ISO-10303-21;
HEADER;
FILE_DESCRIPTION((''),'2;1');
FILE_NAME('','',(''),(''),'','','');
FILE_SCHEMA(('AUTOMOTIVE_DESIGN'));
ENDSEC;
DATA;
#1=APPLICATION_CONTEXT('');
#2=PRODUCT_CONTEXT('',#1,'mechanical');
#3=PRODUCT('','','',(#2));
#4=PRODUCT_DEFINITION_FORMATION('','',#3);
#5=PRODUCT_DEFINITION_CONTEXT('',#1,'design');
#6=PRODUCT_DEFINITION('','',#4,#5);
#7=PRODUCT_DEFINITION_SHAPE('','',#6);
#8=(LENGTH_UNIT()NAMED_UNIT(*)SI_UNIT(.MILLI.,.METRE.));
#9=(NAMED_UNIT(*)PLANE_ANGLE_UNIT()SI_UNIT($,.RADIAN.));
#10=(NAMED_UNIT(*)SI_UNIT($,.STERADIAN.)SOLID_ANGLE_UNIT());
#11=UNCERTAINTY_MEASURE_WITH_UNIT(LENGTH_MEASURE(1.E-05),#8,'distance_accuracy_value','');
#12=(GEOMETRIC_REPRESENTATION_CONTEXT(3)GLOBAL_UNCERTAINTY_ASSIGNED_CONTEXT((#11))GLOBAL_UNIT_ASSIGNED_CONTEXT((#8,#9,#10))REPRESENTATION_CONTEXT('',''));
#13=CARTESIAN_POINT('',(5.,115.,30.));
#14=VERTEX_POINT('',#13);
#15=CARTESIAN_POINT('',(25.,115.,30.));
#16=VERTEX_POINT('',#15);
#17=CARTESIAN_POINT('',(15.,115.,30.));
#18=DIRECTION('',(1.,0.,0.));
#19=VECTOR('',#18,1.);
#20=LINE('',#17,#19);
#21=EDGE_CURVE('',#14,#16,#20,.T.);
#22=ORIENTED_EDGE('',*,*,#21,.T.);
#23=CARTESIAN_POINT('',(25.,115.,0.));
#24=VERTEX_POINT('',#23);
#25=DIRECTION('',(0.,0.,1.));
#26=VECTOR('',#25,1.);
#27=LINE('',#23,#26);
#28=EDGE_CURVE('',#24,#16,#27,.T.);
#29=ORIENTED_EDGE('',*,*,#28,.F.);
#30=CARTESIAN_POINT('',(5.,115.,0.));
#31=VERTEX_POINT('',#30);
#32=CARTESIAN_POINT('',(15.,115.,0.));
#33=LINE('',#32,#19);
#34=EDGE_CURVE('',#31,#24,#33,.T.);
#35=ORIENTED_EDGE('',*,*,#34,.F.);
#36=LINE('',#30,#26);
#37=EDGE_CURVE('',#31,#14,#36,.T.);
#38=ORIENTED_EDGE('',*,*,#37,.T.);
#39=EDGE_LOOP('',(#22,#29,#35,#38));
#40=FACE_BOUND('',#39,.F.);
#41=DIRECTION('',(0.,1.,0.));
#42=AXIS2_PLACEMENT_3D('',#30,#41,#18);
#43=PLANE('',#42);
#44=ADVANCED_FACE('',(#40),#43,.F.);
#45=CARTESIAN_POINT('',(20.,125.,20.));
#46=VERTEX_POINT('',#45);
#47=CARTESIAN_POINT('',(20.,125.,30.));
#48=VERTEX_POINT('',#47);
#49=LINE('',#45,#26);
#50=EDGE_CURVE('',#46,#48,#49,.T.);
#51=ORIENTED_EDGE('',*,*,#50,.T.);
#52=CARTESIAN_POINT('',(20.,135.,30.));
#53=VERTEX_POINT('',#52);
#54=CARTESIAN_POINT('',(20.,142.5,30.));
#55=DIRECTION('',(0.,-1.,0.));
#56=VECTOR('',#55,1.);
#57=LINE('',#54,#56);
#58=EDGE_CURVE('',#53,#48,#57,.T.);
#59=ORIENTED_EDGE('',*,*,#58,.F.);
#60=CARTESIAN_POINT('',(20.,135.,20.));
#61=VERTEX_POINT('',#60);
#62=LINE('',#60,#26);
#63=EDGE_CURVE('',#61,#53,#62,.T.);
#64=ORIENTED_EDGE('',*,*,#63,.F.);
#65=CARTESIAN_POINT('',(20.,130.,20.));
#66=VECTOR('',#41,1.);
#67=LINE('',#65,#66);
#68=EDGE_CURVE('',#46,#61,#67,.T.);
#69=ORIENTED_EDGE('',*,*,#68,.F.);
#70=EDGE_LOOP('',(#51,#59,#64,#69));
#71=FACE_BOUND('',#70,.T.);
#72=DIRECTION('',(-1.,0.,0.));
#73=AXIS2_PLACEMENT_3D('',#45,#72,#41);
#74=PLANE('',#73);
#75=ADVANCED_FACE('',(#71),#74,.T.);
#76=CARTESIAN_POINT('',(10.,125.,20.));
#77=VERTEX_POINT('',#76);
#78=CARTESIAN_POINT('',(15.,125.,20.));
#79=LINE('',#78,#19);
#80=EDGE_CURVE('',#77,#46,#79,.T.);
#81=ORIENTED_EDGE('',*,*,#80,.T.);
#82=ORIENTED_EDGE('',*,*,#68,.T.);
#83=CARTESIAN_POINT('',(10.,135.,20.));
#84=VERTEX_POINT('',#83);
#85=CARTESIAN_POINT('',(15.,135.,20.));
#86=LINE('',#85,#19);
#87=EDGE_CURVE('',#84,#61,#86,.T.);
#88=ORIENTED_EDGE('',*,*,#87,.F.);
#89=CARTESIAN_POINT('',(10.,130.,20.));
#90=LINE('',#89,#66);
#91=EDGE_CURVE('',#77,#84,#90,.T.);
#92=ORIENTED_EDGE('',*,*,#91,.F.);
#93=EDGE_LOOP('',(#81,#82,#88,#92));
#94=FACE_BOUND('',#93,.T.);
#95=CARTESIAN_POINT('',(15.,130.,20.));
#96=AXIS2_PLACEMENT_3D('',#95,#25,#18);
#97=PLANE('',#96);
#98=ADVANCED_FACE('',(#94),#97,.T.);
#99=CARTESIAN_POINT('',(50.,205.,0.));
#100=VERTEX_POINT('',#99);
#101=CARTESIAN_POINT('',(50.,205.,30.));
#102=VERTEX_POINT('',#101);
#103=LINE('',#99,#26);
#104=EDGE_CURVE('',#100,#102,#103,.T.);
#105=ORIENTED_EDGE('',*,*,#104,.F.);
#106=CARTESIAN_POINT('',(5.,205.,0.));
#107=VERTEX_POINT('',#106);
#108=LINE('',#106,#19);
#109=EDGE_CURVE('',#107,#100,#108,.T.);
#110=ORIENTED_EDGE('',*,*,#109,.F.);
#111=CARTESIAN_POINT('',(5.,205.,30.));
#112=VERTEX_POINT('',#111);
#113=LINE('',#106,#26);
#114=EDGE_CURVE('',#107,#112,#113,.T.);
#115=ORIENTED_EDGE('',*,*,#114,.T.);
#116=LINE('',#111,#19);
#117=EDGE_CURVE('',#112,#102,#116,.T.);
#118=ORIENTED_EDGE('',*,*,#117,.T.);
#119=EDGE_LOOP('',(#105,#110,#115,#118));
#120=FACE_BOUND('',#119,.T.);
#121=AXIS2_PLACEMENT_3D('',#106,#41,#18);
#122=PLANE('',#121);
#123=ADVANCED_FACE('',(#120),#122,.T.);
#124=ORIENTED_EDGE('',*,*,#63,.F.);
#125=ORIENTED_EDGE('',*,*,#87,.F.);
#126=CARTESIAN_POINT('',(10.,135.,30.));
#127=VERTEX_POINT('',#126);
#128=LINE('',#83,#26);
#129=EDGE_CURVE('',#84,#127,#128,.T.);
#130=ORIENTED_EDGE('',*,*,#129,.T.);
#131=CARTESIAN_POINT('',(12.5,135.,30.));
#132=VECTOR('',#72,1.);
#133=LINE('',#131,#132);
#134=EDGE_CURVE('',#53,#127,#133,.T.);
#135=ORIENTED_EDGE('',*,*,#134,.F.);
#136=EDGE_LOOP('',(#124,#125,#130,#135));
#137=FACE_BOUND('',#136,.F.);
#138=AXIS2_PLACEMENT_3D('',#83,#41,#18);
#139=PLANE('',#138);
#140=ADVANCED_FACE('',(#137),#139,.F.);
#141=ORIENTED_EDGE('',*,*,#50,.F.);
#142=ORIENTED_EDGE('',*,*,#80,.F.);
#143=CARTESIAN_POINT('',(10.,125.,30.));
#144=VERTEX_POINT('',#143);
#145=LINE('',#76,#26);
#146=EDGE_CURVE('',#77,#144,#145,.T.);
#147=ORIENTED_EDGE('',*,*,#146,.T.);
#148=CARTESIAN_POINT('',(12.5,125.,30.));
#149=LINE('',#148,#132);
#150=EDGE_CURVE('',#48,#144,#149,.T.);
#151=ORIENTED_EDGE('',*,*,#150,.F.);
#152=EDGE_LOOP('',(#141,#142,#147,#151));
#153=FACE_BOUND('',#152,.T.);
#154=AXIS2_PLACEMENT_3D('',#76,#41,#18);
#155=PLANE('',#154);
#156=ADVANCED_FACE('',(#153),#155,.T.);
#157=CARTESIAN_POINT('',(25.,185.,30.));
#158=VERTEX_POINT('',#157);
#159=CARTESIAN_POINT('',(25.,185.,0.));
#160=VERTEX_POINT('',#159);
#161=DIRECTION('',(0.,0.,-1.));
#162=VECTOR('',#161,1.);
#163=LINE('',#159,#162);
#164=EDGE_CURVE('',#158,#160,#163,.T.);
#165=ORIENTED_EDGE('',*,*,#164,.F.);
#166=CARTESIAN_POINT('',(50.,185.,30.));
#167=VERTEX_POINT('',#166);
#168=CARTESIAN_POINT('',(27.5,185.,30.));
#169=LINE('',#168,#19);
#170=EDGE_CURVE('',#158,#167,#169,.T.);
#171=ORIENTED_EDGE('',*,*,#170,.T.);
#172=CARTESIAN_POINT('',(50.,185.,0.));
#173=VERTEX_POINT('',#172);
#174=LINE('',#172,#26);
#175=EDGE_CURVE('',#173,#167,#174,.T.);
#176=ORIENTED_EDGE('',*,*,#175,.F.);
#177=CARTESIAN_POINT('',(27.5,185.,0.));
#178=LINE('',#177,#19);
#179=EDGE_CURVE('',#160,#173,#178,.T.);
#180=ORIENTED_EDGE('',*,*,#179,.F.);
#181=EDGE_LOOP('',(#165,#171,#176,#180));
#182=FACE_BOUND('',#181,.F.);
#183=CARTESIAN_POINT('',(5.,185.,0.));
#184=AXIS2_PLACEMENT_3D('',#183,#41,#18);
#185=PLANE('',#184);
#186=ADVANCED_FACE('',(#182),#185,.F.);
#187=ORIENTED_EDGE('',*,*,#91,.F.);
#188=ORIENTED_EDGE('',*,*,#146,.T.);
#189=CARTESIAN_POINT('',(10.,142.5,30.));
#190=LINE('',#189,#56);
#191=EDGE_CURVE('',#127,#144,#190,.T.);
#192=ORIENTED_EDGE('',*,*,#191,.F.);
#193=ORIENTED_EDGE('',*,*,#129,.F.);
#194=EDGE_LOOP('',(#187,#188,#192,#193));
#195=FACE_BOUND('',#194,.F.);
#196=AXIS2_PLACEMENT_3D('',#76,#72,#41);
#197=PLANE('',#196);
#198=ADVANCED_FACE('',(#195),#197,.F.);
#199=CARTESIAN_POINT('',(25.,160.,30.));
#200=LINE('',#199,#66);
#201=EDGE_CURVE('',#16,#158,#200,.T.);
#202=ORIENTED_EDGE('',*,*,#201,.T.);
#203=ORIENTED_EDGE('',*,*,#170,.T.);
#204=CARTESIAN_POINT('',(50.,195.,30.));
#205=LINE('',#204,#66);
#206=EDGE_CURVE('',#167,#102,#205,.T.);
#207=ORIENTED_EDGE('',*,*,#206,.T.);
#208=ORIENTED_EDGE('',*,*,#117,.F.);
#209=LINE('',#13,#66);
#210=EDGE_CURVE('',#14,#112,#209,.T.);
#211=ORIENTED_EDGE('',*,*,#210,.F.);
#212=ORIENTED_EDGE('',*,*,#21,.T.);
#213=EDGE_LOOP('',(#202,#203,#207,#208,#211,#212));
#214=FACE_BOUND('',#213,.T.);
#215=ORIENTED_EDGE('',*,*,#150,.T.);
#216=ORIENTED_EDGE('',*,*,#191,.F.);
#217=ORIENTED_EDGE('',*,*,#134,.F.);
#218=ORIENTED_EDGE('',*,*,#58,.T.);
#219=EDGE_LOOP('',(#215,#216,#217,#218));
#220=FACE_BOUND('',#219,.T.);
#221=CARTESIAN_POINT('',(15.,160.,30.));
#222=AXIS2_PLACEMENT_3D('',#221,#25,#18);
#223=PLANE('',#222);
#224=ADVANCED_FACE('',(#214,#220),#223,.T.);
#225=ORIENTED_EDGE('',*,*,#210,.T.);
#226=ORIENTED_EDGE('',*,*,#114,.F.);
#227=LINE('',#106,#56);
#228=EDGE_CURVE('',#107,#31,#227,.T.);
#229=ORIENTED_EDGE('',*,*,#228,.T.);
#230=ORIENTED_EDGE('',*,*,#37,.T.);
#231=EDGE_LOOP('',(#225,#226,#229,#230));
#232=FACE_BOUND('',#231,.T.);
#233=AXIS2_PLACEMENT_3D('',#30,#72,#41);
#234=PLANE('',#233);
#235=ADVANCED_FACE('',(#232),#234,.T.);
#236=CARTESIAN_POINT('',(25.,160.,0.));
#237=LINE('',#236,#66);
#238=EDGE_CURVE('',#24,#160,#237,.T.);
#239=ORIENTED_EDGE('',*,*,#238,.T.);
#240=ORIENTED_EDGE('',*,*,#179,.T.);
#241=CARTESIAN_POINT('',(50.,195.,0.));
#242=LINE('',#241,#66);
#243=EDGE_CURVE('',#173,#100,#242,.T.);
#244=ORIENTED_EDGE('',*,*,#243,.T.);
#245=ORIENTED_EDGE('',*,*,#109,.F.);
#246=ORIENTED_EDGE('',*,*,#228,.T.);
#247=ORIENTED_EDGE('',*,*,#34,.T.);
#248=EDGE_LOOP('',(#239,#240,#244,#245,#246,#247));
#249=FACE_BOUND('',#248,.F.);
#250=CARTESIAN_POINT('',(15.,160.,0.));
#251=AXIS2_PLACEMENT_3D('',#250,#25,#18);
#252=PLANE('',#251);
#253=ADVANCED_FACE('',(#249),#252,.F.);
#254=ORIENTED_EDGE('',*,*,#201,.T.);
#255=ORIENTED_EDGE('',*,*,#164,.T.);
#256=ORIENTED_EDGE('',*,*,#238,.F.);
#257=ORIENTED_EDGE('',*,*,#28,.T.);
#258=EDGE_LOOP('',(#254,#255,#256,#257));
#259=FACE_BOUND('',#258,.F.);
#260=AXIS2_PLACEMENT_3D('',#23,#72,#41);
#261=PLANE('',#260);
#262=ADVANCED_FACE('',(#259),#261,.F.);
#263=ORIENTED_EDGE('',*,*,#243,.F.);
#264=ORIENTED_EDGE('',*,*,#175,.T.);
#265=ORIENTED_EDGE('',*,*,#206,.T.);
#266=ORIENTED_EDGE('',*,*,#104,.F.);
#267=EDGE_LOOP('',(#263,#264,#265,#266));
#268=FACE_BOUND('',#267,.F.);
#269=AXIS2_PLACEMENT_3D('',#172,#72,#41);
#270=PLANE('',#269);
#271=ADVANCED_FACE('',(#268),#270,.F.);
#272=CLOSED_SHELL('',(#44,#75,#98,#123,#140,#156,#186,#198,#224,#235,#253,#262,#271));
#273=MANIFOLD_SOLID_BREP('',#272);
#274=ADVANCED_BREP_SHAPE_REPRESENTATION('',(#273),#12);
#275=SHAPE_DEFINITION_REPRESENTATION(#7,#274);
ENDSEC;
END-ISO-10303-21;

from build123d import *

# Parameters (mm, degrees)
BOX021003010009_W     = 10
BOX021003010009_H     = 10
BOX021003010009_DEPTH = 12
BOX021003010006_W     = 45
BOX021003010006_H     = 20
BOX021003010006_DEPTH = 30
BOX021003010005_W     = 20
BOX021003010005_H     = 90
BOX021003010005_DEPTH = 30


with BuildPart() as hueco_fregadero:
    # Box021003010009 → Box021003010009 (new body)
    with BuildSketch(Plane(origin=(10, 125, 20), x_dir=(1, 0, 0), z_dir=(0, 0, 1))):
        with Locations((5, 5)):
            Rectangle(BOX021003010009_W, BOX021003010009_H)
    extrude(amount=BOX021003010009_DEPTH)


with BuildPart() as mueble_bajo_corto_cocina:
    # Box021003010006 → Box021003010006 (new body)
    with BuildSketch(Plane(origin=(5, 185, 0), x_dir=(1, 0, 0), z_dir=(0, 0, 1))):
        with Locations((22.5, 10)):
            Rectangle(BOX021003010006_W, BOX021003010006_H)
    extrude(amount=BOX021003010006_DEPTH)


with BuildPart() as mueble_bajo_cocina:
    # Box021003010005 → Box021003010005 (new body)
    with BuildSketch(Plane(origin=(5, 115, 0), x_dir=(1, 0, 0), z_dir=(0, 0, 1))):
        with Locations((10, 45)):
            Rectangle(BOX021003010005_W, BOX021003010005_H)
    extrude(amount=BOX021003010005_DEPTH)

    # Fusion007: union Mueble bajo corto Cocina
    add(mueble_bajo_corto_cocina.part)

    # Cut011: cut Hueco fregadero
    add(hueco_fregadero.part, mode=Mode.SUBTRACT)


solid = mueble_bajo_cocina.part
